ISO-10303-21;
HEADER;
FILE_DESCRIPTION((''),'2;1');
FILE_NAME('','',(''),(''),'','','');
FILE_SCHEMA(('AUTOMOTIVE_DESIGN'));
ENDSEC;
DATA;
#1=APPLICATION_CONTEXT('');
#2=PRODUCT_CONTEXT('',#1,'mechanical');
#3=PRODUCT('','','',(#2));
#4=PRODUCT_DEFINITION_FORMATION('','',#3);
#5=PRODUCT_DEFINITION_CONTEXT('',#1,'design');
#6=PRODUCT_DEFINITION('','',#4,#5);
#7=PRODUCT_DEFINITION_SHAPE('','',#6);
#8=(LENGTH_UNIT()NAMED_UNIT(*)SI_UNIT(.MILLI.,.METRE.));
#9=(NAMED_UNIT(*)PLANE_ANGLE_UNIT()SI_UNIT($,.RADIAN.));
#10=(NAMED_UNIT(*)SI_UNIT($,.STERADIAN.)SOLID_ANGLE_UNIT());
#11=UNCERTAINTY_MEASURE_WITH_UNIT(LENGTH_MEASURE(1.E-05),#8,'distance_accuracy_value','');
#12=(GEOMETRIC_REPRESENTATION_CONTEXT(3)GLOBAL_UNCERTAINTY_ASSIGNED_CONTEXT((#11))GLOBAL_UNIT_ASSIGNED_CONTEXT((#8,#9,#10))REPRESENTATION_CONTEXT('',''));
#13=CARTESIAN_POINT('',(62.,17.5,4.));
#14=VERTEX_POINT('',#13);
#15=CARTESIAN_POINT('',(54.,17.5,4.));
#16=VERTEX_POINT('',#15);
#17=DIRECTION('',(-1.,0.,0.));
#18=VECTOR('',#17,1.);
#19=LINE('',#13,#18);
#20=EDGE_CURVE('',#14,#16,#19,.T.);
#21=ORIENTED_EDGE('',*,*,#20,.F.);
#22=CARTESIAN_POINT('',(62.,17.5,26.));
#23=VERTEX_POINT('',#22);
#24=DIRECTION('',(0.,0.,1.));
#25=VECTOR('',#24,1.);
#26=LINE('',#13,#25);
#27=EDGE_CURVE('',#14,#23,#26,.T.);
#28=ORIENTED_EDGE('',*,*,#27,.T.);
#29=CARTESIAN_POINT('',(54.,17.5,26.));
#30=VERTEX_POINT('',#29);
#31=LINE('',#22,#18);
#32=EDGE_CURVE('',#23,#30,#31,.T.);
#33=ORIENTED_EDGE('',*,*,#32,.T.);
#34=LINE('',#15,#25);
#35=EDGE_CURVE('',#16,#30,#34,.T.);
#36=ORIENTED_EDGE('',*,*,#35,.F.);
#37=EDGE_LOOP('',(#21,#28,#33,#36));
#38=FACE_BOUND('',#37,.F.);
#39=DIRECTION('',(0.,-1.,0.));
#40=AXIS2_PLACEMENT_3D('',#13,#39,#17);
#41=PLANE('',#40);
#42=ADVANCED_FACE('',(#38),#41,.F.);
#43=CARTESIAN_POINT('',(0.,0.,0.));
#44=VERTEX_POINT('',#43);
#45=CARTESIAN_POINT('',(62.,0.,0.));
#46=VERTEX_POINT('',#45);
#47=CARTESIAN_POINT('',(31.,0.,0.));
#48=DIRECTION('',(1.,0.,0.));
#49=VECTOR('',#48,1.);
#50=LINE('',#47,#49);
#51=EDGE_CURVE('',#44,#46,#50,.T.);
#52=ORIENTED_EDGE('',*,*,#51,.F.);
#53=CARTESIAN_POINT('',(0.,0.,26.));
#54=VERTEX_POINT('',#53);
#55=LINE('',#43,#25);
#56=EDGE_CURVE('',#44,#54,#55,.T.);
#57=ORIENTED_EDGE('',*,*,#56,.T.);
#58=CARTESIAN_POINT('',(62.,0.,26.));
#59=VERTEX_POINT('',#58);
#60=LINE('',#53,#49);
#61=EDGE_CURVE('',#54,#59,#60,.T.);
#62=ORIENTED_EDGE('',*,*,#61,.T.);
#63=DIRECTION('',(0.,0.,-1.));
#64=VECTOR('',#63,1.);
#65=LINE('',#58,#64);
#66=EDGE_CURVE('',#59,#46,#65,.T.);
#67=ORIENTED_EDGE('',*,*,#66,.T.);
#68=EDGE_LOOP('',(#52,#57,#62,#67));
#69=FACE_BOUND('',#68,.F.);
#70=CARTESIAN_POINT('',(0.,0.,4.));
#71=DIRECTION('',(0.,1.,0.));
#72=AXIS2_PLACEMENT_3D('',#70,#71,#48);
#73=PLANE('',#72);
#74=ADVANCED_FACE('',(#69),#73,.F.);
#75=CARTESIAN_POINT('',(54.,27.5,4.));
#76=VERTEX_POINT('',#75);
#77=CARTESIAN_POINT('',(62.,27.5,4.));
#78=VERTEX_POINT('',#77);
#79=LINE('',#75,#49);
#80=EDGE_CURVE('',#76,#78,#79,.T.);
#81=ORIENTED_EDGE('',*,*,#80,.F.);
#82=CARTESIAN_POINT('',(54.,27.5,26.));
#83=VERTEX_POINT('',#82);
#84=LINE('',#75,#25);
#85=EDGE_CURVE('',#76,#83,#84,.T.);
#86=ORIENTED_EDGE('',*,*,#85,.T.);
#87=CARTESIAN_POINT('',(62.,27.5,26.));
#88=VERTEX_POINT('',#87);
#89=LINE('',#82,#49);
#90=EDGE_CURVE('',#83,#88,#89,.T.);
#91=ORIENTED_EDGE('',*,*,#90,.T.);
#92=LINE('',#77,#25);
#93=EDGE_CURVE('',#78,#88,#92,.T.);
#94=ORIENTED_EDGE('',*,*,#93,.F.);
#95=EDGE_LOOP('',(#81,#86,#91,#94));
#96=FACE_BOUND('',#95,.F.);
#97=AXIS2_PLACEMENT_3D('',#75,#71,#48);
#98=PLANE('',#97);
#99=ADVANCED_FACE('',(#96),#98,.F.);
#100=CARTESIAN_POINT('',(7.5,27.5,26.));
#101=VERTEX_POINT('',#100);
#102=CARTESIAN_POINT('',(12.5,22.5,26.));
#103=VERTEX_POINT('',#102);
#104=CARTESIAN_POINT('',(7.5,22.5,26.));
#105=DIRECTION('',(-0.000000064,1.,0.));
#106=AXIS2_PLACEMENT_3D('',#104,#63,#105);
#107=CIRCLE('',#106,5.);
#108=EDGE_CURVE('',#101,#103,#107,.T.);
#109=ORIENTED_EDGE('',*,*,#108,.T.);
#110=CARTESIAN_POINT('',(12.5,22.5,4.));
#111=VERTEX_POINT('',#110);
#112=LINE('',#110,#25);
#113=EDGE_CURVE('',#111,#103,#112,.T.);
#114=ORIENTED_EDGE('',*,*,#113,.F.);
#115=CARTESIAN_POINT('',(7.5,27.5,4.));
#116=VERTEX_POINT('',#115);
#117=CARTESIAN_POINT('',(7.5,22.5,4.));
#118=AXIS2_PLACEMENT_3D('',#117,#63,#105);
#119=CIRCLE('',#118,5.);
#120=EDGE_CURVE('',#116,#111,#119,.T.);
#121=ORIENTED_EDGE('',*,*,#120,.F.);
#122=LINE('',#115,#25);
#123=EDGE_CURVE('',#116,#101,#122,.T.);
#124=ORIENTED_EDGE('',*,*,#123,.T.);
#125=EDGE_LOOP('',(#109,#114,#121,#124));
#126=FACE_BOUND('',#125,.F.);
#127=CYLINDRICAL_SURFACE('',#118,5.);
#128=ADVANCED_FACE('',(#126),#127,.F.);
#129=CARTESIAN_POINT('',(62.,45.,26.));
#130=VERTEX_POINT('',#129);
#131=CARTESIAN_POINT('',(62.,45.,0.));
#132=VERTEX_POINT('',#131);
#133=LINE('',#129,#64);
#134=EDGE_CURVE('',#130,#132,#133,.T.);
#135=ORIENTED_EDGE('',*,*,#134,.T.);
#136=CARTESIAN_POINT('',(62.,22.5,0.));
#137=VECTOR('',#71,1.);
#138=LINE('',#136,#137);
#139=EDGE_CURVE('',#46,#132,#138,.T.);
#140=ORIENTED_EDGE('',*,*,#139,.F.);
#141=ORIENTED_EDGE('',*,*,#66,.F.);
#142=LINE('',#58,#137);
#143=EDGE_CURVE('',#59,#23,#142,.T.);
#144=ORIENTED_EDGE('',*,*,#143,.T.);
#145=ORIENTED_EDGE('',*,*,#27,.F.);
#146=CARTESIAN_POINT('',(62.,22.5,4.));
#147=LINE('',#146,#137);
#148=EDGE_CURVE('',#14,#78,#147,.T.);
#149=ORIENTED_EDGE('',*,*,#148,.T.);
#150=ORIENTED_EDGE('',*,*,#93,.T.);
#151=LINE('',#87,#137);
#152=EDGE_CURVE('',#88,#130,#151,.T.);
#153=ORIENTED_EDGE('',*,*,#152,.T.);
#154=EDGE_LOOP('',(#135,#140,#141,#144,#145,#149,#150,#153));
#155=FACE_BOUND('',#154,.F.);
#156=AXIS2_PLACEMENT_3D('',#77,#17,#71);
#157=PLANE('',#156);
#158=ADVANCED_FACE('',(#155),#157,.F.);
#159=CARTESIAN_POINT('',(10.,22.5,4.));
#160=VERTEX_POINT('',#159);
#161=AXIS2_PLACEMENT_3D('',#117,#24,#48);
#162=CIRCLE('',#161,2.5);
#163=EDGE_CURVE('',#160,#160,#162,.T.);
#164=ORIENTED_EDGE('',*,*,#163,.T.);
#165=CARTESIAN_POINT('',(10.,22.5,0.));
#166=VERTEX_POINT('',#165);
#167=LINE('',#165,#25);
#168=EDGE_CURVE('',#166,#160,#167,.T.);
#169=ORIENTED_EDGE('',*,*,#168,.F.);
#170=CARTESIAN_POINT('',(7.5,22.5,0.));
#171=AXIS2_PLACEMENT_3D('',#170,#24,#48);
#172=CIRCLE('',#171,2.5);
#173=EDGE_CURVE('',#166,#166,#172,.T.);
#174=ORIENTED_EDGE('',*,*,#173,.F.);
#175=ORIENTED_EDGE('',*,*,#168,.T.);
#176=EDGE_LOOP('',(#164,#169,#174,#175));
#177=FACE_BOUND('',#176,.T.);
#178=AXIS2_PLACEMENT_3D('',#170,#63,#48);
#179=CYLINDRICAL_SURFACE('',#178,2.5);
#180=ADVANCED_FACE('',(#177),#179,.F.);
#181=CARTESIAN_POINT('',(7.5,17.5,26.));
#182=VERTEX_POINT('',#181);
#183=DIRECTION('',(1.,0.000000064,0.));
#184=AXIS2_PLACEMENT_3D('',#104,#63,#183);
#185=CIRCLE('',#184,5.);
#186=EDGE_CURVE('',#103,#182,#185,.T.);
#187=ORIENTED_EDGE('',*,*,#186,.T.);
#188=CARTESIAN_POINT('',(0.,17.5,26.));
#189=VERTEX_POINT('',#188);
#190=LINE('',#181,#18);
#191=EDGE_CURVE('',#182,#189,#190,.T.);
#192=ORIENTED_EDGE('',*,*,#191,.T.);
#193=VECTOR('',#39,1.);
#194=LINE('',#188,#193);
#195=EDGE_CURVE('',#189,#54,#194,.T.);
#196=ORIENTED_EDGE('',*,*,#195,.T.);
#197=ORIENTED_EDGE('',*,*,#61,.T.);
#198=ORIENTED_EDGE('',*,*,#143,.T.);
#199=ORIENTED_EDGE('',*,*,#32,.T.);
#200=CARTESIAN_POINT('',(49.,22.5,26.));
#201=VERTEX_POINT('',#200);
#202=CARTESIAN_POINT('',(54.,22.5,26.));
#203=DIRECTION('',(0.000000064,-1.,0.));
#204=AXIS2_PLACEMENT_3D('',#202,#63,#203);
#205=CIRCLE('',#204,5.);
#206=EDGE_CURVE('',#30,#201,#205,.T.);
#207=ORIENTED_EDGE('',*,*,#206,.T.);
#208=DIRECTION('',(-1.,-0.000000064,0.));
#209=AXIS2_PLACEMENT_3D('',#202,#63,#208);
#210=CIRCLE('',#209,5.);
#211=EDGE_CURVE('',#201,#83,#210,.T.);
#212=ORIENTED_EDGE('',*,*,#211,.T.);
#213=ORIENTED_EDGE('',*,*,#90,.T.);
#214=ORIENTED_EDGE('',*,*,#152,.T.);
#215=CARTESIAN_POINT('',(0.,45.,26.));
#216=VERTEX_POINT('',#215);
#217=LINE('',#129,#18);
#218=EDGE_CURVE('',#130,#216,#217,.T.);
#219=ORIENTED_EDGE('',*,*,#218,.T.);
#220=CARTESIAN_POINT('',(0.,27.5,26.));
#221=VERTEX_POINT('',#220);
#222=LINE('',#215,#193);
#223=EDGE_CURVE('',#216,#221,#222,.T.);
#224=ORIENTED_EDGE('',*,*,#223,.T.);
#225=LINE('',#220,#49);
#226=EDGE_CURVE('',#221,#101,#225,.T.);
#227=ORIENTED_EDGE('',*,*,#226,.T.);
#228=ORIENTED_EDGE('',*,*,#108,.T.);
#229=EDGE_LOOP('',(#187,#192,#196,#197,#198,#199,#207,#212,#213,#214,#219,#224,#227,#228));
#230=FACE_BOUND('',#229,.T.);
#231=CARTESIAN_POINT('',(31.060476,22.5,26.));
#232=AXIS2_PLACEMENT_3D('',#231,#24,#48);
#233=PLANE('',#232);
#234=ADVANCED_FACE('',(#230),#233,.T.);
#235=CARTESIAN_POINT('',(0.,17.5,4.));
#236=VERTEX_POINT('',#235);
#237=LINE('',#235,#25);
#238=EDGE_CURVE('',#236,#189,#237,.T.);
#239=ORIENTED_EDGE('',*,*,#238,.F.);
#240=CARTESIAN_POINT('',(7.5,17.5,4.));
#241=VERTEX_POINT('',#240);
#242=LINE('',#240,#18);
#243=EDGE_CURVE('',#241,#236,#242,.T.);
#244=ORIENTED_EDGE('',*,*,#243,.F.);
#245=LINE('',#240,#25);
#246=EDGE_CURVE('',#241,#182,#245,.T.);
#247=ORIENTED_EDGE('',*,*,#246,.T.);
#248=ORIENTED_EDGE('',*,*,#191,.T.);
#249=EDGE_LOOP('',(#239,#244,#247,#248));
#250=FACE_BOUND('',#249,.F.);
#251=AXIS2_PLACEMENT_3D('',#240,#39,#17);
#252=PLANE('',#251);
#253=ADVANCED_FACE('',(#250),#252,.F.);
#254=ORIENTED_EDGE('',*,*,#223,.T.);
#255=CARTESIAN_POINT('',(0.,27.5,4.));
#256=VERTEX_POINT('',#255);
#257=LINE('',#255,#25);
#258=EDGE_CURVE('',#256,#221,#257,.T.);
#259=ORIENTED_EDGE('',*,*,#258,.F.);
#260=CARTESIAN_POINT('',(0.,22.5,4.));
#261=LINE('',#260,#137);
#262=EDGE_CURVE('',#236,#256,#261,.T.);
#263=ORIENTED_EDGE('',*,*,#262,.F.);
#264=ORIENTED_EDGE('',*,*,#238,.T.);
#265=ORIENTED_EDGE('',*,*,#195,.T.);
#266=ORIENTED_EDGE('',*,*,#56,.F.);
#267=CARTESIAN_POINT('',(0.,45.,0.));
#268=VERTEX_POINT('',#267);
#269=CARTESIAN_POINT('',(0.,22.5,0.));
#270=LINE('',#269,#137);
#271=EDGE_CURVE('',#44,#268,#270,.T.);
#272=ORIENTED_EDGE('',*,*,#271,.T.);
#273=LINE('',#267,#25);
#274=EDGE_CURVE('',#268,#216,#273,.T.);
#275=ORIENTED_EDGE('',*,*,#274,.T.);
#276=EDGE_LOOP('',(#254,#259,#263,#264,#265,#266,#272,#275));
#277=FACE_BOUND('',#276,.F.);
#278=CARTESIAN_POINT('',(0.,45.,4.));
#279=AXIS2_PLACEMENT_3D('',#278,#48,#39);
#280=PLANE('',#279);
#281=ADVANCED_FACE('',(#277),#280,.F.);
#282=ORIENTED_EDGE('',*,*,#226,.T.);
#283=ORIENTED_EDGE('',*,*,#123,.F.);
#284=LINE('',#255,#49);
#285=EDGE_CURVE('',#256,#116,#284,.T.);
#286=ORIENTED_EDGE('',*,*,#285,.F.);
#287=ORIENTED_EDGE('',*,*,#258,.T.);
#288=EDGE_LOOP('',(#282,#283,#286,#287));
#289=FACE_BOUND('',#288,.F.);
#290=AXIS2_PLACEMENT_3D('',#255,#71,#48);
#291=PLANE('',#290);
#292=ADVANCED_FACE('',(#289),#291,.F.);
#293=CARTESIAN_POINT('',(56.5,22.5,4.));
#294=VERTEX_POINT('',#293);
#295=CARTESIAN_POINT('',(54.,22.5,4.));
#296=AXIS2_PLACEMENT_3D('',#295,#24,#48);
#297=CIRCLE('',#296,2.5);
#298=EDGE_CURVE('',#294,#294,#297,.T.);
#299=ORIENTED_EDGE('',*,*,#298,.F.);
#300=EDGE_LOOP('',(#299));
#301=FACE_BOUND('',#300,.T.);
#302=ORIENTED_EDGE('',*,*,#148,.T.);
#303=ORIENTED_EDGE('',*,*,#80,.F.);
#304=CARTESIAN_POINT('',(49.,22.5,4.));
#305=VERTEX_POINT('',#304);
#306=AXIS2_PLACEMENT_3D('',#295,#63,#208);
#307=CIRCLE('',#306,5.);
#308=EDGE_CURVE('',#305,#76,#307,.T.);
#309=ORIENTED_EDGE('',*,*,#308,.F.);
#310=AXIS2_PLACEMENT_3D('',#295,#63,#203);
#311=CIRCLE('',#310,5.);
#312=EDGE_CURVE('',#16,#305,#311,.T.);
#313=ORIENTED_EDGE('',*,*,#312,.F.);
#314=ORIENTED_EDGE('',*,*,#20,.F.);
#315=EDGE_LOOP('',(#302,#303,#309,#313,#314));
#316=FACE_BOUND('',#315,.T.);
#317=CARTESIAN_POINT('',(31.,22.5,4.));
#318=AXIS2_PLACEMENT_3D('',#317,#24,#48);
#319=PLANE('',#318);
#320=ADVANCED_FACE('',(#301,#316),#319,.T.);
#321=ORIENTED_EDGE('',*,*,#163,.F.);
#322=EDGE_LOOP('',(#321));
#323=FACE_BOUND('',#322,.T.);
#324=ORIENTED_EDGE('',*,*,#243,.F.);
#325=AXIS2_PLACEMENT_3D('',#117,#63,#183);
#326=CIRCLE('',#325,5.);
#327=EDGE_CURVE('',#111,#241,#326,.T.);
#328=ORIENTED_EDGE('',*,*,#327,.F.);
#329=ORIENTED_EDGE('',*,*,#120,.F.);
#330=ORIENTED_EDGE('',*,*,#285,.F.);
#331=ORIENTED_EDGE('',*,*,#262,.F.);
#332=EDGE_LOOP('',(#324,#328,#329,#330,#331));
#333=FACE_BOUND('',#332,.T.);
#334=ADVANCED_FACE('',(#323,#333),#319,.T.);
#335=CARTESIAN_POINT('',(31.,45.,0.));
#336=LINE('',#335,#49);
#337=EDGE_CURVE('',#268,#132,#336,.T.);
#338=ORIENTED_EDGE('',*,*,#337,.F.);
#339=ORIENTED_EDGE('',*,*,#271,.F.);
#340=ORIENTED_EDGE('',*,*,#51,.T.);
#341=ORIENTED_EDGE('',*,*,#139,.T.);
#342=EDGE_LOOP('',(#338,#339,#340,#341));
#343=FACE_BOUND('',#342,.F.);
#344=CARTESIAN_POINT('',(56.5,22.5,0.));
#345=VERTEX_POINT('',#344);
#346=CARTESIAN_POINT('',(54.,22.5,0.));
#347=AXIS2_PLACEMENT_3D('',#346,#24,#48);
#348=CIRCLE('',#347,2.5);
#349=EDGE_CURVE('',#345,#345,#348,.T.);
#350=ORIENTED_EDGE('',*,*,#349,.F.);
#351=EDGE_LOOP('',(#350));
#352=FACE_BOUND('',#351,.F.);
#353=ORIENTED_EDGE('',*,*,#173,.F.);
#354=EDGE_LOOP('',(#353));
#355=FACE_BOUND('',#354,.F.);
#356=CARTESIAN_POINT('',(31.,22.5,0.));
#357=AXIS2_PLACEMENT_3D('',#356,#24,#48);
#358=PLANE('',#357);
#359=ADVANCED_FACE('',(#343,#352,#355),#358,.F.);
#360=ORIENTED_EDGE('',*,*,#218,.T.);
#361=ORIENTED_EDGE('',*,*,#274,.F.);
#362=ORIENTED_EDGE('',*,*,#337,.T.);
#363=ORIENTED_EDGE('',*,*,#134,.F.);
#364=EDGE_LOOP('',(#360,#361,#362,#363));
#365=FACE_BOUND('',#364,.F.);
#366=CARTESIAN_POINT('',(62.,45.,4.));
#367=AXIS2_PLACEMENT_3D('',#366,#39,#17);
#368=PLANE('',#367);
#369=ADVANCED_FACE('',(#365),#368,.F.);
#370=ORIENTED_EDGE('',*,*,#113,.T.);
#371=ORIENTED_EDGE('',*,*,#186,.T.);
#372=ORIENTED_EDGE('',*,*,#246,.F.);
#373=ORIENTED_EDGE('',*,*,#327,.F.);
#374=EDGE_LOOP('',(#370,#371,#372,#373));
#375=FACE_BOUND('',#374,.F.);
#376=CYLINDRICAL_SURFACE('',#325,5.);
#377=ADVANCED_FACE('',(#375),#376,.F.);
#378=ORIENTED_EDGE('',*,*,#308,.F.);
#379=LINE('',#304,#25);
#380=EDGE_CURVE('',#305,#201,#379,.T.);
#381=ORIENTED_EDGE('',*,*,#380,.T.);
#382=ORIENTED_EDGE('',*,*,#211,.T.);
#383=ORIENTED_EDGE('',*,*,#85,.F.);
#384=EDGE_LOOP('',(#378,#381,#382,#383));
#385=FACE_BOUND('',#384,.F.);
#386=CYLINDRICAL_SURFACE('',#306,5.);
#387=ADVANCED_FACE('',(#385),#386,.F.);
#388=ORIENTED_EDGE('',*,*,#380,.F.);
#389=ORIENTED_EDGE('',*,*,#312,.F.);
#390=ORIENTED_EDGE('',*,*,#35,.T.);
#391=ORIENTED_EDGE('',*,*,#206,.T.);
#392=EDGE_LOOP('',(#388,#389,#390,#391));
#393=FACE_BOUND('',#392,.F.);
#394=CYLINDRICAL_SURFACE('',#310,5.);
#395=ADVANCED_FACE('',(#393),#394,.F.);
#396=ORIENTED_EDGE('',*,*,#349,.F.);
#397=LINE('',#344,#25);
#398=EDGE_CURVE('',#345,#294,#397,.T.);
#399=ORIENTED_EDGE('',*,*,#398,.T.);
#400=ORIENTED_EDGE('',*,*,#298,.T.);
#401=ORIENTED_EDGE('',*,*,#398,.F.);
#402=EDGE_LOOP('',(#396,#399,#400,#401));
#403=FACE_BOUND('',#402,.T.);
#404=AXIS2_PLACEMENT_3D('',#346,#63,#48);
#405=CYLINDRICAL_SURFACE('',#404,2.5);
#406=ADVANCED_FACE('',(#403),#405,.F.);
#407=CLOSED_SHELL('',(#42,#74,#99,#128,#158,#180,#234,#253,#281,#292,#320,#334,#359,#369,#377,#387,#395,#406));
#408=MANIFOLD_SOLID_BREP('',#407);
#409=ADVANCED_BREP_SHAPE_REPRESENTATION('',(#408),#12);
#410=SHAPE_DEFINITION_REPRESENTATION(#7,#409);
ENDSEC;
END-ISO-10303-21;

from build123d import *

# Parameters (mm, degrees)
F0_W     = 62
F0_H     = 45
F0_R     = 2.5
F1_DEPTH = 4
F3_DEPTH = 22


with BuildPart() as f1:
    # F0 (on Top) → F1 (new body)
    with BuildSketch(Plane.XY):
        with Locations((31, 22.5)):
            Rectangle(F0_W, F0_H)
        with Locations((7.5, 22.5)):
            Circle(F0_R, mode=Mode.SUBTRACT)
        with Locations((54, 22.5)):
            Circle(F0_R, mode=Mode.SUBTRACT)
    extrude(amount=F1_DEPTH)

    # F2 (on face) → F3 (join)
    with BuildSketch(Plane.XY.offset(4)):
        with BuildLine():
            Line((62, 45), (0, 45))
            Line((0, 45), (0, 27.5))
            Line((0, 27.5), (7.5, 27.5))
            ThreePointArc((7.5, 27.5), (11.035534, 26.035534), (12.5, 22.5))
            ThreePointArc((12.5, 22.5), (11.035534, 18.964466), (7.5, 17.5))
            Line((7.5, 17.5), (0, 17.5))
            Line((0, 17.5), (0, 0))
            Line((0, 0), (62, 0))
            Line((62, 0), (62, 17.5))
            Line((62, 17.5), (54, 17.5))
            ThreePointArc((54, 17.5), (50.464466, 18.964466), (49, 22.5))
            ThreePointArc((49, 22.5), (50.464466, 26.035534), (54, 27.5))
            Line((54, 27.5), (62, 27.5))
            Line((62, 27.5), (62, 45))
        make_face()
    extrude(amount=F3_DEPTH)


solid = f1.part
